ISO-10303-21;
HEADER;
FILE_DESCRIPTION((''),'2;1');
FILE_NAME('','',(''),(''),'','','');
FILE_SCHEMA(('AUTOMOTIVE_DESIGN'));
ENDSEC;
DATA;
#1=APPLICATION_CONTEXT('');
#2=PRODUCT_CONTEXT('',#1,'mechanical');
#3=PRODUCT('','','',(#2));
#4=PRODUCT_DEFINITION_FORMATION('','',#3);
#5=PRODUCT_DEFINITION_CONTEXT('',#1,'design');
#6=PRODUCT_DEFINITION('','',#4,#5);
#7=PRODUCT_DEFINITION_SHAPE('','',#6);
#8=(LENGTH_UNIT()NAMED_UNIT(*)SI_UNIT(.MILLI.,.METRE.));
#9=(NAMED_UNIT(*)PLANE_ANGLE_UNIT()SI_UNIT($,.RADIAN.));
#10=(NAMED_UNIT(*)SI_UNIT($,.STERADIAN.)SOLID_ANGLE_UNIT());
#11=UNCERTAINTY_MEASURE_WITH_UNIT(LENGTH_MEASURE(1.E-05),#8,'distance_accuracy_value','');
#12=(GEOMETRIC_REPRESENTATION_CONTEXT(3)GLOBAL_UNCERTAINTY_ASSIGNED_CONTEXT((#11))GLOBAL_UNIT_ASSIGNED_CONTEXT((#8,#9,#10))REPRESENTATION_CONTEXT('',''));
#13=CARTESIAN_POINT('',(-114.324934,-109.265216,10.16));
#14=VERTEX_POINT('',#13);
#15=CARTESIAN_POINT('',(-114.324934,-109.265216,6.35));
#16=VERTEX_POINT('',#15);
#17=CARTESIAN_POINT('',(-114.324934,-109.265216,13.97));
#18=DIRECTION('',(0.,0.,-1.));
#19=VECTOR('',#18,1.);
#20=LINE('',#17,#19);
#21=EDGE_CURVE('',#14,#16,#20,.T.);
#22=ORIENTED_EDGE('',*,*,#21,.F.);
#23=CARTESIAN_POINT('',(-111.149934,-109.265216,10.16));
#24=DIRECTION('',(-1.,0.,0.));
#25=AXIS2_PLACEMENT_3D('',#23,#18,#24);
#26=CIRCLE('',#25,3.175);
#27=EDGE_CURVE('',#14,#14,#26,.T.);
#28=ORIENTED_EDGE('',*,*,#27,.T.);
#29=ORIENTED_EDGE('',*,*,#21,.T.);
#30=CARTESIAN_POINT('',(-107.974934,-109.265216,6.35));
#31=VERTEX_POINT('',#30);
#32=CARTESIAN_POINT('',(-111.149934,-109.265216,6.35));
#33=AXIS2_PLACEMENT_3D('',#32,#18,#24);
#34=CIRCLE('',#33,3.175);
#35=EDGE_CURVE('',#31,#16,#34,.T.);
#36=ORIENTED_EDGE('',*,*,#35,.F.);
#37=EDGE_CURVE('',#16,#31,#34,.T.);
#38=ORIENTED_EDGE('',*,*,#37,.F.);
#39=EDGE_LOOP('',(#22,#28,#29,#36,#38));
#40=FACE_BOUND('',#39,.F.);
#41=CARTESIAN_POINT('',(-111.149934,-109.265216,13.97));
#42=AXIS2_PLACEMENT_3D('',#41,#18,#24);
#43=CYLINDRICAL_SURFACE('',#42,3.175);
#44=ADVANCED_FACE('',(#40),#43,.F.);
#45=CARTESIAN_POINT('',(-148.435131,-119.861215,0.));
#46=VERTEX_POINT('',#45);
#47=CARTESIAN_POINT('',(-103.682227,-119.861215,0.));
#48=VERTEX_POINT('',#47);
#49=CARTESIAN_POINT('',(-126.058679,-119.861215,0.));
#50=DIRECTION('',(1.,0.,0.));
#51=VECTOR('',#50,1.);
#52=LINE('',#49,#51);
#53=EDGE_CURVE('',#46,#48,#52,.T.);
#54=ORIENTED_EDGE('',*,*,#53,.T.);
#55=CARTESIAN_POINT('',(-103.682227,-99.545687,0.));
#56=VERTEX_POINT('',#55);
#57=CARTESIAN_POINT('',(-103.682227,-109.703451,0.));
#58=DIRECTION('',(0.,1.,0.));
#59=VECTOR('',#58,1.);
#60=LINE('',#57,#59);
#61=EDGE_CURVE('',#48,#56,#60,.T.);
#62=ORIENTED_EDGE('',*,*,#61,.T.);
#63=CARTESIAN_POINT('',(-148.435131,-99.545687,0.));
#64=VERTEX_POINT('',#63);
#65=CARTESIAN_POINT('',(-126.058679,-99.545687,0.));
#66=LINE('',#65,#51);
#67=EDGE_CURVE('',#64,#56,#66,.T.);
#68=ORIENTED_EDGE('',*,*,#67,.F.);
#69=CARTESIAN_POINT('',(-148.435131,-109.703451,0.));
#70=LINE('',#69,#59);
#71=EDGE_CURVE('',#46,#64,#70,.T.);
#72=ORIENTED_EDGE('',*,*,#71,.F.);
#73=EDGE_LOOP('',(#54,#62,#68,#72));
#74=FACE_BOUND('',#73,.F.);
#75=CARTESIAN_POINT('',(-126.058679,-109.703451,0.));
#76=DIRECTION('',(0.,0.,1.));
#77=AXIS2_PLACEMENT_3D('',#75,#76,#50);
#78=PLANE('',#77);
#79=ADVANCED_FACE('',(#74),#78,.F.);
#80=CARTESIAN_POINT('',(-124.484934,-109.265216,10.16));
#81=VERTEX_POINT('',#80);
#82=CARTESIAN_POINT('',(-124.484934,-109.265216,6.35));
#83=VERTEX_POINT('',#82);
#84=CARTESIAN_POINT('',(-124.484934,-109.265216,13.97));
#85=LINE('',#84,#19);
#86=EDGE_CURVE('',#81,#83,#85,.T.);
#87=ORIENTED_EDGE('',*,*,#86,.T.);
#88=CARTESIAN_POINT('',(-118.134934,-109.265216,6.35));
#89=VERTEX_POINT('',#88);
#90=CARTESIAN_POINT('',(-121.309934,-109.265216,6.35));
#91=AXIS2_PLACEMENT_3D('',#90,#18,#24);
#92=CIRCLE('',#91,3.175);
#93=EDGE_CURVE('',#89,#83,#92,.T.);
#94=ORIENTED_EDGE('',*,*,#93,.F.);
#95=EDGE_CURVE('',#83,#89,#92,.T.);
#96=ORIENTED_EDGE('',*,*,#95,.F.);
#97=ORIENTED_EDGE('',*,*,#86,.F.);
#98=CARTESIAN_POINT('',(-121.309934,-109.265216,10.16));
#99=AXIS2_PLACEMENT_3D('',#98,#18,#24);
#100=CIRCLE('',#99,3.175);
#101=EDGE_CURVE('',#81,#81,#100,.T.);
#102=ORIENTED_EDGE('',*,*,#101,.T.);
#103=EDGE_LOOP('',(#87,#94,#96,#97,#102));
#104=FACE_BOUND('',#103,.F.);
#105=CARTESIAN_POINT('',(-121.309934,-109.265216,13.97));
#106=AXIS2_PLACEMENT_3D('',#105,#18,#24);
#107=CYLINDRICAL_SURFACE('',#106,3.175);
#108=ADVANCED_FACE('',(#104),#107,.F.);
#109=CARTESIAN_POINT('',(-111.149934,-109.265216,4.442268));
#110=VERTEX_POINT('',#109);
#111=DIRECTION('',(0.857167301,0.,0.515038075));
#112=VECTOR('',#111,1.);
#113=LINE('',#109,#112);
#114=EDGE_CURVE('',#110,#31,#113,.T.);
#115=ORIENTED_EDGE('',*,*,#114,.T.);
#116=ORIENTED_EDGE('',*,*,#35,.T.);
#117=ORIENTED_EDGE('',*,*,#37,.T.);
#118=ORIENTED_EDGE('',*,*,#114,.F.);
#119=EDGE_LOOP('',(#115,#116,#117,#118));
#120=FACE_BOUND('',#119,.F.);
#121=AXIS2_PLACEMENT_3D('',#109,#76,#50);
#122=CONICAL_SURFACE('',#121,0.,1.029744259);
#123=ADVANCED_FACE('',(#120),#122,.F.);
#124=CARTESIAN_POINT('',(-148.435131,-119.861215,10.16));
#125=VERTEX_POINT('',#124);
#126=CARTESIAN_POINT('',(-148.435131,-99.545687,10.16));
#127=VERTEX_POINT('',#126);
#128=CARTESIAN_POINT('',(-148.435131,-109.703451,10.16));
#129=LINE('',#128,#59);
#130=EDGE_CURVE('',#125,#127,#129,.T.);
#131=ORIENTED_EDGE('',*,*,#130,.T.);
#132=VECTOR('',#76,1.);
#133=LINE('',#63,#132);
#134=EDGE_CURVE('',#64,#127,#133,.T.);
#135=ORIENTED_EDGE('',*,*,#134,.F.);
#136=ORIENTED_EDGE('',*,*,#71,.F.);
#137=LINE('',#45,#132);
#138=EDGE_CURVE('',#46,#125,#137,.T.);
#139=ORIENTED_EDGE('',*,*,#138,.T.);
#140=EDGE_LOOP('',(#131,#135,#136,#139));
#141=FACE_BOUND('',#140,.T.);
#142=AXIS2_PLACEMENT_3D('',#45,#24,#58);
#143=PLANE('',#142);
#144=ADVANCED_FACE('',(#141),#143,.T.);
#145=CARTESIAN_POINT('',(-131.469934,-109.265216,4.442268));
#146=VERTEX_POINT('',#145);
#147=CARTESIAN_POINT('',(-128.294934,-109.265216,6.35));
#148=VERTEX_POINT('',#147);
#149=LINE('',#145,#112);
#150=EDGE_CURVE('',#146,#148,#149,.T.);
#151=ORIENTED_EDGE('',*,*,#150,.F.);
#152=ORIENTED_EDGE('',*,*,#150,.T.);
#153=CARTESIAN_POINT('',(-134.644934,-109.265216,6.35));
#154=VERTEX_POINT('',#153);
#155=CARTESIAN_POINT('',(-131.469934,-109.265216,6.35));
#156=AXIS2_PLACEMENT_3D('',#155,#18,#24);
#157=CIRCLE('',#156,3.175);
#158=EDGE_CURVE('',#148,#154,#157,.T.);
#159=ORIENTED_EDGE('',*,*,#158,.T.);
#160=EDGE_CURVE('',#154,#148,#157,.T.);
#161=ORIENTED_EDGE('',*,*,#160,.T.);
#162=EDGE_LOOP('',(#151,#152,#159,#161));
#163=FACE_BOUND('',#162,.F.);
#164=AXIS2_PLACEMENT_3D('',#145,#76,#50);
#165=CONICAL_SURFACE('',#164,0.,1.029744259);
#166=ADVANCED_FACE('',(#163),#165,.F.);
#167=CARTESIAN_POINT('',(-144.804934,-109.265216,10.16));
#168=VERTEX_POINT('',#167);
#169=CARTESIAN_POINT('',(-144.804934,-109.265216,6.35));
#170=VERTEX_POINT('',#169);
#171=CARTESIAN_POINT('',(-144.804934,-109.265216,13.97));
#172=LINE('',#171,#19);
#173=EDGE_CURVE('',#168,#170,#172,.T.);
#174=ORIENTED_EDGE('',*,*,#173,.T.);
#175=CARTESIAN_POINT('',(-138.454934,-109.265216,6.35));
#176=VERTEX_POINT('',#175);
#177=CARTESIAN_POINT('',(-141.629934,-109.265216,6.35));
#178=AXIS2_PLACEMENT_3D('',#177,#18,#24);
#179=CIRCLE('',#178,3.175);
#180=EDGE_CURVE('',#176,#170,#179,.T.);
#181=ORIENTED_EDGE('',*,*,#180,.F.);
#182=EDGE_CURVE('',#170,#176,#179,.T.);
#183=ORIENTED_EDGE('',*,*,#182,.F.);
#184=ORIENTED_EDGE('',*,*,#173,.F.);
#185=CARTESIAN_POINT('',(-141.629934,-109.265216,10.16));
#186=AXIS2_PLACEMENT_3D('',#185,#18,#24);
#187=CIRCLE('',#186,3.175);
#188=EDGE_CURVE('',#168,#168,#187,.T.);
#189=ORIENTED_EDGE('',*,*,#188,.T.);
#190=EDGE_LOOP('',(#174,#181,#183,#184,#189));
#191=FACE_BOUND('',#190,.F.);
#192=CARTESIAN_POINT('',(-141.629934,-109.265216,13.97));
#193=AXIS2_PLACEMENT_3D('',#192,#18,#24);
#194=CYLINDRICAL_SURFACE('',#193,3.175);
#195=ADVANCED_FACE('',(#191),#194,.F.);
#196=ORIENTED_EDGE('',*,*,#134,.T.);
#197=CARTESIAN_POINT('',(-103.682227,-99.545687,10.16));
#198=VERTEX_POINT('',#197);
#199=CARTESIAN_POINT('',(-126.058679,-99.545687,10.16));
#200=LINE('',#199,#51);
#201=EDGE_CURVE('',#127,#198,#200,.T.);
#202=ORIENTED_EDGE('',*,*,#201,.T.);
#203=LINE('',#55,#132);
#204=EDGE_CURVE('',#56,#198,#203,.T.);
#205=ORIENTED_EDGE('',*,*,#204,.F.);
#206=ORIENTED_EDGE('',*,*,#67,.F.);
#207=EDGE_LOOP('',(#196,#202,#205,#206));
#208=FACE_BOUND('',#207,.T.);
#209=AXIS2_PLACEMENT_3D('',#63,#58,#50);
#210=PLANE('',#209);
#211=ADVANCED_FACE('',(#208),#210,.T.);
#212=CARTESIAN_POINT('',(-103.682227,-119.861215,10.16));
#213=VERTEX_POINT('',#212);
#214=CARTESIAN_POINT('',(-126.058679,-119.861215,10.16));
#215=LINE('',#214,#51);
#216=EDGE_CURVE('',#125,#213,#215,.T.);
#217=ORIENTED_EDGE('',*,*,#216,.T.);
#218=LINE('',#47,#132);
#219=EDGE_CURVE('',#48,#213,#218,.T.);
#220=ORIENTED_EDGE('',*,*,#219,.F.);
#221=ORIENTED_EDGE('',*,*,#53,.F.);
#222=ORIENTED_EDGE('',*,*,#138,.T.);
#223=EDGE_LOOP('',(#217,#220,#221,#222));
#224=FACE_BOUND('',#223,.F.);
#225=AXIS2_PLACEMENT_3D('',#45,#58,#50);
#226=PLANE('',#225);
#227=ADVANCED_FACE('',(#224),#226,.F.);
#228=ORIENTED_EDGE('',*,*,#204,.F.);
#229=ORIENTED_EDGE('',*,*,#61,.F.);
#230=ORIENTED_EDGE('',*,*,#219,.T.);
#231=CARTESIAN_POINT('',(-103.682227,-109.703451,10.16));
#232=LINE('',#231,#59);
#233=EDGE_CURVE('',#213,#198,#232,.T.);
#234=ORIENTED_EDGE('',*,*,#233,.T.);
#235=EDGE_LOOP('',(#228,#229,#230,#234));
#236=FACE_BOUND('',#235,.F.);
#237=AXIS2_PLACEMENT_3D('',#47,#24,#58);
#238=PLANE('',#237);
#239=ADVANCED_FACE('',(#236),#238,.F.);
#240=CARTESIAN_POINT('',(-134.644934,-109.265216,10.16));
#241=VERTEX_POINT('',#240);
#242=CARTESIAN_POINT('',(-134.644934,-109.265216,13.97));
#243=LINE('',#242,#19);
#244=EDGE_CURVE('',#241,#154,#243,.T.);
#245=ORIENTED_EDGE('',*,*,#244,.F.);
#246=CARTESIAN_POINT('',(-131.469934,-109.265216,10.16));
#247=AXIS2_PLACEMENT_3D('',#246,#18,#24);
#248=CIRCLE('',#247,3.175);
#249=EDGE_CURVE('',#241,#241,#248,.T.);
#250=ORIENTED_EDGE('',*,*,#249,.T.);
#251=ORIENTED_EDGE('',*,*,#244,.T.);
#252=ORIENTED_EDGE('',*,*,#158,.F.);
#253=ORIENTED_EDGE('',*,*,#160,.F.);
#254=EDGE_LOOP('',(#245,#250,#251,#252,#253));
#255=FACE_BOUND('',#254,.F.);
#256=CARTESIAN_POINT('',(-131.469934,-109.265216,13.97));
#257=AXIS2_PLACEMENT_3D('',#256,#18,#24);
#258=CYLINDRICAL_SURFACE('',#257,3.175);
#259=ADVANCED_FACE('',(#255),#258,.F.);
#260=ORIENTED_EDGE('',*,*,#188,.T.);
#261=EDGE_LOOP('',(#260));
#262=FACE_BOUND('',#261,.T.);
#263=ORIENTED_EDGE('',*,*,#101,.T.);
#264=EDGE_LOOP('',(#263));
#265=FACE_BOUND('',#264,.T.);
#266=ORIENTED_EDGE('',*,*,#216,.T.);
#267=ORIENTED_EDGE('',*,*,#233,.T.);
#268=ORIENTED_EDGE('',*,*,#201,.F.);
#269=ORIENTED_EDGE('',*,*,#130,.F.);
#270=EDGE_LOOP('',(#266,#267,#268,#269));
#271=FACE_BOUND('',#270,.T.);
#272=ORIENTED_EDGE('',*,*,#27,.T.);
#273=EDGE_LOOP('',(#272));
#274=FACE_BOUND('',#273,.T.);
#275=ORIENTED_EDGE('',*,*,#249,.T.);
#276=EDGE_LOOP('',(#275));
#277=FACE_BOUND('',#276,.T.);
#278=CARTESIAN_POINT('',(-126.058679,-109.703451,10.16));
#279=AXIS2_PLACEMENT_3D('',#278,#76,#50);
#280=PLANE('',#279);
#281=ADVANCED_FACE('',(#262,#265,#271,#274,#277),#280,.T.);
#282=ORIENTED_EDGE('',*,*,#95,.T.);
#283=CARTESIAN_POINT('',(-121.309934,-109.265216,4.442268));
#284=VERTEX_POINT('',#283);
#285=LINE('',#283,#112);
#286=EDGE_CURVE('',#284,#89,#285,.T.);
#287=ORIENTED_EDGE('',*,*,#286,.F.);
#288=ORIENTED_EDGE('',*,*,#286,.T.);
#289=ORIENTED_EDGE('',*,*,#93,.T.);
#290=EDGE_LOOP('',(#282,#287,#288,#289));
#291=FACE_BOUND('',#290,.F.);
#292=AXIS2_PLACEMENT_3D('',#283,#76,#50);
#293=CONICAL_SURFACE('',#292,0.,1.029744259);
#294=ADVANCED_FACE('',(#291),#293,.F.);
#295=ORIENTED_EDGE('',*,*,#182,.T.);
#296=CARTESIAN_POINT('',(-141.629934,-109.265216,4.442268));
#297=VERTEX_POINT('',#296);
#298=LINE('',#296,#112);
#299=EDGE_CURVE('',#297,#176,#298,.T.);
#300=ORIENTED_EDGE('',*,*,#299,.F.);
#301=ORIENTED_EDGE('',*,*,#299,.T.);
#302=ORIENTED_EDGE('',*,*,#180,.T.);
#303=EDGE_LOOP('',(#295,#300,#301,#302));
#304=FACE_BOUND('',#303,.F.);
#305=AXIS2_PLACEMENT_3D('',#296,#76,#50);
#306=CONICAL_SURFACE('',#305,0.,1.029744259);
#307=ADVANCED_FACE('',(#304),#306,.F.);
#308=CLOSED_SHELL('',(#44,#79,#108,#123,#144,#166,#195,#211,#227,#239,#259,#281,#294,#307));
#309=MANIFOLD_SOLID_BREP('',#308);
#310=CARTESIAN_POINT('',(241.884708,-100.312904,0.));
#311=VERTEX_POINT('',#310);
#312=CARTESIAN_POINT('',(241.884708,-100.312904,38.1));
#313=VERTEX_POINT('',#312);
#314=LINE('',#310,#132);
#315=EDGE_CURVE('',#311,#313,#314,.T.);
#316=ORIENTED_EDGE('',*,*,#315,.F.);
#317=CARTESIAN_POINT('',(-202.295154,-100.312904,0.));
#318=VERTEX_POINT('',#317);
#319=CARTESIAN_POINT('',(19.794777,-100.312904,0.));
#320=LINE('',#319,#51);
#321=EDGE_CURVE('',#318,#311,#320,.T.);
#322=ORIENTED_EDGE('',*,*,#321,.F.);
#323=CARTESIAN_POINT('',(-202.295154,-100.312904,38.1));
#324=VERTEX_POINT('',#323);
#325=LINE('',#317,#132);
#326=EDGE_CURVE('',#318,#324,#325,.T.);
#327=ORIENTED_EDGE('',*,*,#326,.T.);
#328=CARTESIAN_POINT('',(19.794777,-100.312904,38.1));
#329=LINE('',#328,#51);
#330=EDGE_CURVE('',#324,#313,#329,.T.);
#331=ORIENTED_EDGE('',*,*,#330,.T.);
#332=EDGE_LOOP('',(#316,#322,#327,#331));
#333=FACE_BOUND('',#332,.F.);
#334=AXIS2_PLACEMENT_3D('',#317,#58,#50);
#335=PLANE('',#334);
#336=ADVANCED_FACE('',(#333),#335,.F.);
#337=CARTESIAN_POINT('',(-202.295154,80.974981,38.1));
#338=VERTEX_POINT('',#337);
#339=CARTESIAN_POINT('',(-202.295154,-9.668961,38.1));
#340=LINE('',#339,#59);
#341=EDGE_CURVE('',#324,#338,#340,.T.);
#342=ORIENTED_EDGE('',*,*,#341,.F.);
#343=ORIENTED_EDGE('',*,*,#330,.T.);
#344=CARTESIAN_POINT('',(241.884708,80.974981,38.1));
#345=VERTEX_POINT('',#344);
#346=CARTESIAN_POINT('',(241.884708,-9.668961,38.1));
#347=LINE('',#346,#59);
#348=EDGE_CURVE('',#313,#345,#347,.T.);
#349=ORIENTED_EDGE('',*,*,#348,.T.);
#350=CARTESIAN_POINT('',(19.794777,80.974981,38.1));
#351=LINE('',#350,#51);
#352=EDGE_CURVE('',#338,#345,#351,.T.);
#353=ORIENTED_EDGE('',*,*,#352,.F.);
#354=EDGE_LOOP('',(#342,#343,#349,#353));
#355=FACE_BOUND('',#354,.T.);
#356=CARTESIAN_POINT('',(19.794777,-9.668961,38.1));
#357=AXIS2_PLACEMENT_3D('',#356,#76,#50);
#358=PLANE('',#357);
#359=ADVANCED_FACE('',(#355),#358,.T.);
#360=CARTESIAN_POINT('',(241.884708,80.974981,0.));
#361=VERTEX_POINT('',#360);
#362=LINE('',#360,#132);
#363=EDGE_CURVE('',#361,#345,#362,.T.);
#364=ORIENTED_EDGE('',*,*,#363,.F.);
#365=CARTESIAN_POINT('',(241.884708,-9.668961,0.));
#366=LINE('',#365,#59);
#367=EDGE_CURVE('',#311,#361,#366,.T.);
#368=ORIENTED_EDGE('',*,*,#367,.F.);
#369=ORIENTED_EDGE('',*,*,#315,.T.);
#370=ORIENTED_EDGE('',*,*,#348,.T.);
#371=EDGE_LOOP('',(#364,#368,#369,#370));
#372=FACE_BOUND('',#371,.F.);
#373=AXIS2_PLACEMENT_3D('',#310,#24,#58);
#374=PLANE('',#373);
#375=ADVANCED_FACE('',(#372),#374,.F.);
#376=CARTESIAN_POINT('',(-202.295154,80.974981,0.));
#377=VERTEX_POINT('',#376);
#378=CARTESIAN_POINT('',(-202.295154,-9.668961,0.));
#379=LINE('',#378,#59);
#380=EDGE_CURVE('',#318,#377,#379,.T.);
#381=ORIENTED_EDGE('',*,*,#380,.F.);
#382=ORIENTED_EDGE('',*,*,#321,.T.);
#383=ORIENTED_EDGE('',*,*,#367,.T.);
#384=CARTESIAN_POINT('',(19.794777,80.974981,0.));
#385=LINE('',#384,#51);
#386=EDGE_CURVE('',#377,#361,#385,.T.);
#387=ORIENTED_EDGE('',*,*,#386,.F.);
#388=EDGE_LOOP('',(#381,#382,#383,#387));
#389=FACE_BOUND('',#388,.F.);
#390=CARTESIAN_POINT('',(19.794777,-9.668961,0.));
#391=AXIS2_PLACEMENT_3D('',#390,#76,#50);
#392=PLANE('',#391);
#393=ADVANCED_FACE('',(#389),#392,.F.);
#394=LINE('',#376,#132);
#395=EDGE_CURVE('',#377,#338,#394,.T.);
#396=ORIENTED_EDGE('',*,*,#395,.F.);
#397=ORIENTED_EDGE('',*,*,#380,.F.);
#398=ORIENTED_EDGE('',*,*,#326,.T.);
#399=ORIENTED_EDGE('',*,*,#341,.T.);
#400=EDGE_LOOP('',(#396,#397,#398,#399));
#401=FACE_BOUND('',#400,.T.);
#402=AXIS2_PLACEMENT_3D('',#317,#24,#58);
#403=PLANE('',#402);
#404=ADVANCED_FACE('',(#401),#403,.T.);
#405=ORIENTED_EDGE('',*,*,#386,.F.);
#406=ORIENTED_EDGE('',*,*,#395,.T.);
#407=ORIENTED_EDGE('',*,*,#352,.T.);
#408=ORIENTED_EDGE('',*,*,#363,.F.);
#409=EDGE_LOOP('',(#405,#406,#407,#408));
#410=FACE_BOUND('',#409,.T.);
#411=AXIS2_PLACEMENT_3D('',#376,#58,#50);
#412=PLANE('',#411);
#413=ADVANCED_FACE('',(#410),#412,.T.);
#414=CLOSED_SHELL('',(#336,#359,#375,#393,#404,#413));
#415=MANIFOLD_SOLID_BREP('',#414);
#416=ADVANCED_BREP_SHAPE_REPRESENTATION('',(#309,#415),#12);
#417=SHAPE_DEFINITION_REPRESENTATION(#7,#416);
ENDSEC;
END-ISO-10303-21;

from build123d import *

# Parameters (mm, degrees)
F0_W     = 444.1798627377
F0_H     = 181.2878847122
F1_DEPTH = 38.1
F2_W     = 44.7529032826
F2_H     = 20.315527916
F3_DEPTH = 10.16
F5_D     = 6.35
F5_DEPTH = 3.81
F5_TIP   = 1.9077324654


with BuildPart() as f1:
    # F0 (on Top) → F1 (new body)
    with BuildSketch(Plane.XY):
        with Locations((19.7947770357, -9.6689611673)):
            Rectangle(F0_W, F0_H)
    extrude(amount=F1_DEPTH)


with BuildPart() as f3:
    # F2 (on Top) → F3 (new body)
    with BuildSketch(Plane.XY):
        with Locations((-126.058679074, -109.703451395)):
            Rectangle(F2_W, F2_H)
    extrude(amount=F3_DEPTH)

    # F5
    with Locations(Plane.XY.offset(10.16)):
        with Locations((-141.6299343109, -109.2652156949), (-131.4699343109, -109.2652156949), (-121.3099343109, -109.2652156949), (-111.1499343109, -109.2652156949)):
            Hole(F5_D / 2, depth=F5_DEPTH)
            with Locations((0, 0, -(F5_DEPTH + F5_TIP / 2))):  # 118° drill point
                Cone(0, F5_D / 2, F5_TIP, mode=Mode.SUBTRACT)


solid = Compound([f1.part, f3.part])
